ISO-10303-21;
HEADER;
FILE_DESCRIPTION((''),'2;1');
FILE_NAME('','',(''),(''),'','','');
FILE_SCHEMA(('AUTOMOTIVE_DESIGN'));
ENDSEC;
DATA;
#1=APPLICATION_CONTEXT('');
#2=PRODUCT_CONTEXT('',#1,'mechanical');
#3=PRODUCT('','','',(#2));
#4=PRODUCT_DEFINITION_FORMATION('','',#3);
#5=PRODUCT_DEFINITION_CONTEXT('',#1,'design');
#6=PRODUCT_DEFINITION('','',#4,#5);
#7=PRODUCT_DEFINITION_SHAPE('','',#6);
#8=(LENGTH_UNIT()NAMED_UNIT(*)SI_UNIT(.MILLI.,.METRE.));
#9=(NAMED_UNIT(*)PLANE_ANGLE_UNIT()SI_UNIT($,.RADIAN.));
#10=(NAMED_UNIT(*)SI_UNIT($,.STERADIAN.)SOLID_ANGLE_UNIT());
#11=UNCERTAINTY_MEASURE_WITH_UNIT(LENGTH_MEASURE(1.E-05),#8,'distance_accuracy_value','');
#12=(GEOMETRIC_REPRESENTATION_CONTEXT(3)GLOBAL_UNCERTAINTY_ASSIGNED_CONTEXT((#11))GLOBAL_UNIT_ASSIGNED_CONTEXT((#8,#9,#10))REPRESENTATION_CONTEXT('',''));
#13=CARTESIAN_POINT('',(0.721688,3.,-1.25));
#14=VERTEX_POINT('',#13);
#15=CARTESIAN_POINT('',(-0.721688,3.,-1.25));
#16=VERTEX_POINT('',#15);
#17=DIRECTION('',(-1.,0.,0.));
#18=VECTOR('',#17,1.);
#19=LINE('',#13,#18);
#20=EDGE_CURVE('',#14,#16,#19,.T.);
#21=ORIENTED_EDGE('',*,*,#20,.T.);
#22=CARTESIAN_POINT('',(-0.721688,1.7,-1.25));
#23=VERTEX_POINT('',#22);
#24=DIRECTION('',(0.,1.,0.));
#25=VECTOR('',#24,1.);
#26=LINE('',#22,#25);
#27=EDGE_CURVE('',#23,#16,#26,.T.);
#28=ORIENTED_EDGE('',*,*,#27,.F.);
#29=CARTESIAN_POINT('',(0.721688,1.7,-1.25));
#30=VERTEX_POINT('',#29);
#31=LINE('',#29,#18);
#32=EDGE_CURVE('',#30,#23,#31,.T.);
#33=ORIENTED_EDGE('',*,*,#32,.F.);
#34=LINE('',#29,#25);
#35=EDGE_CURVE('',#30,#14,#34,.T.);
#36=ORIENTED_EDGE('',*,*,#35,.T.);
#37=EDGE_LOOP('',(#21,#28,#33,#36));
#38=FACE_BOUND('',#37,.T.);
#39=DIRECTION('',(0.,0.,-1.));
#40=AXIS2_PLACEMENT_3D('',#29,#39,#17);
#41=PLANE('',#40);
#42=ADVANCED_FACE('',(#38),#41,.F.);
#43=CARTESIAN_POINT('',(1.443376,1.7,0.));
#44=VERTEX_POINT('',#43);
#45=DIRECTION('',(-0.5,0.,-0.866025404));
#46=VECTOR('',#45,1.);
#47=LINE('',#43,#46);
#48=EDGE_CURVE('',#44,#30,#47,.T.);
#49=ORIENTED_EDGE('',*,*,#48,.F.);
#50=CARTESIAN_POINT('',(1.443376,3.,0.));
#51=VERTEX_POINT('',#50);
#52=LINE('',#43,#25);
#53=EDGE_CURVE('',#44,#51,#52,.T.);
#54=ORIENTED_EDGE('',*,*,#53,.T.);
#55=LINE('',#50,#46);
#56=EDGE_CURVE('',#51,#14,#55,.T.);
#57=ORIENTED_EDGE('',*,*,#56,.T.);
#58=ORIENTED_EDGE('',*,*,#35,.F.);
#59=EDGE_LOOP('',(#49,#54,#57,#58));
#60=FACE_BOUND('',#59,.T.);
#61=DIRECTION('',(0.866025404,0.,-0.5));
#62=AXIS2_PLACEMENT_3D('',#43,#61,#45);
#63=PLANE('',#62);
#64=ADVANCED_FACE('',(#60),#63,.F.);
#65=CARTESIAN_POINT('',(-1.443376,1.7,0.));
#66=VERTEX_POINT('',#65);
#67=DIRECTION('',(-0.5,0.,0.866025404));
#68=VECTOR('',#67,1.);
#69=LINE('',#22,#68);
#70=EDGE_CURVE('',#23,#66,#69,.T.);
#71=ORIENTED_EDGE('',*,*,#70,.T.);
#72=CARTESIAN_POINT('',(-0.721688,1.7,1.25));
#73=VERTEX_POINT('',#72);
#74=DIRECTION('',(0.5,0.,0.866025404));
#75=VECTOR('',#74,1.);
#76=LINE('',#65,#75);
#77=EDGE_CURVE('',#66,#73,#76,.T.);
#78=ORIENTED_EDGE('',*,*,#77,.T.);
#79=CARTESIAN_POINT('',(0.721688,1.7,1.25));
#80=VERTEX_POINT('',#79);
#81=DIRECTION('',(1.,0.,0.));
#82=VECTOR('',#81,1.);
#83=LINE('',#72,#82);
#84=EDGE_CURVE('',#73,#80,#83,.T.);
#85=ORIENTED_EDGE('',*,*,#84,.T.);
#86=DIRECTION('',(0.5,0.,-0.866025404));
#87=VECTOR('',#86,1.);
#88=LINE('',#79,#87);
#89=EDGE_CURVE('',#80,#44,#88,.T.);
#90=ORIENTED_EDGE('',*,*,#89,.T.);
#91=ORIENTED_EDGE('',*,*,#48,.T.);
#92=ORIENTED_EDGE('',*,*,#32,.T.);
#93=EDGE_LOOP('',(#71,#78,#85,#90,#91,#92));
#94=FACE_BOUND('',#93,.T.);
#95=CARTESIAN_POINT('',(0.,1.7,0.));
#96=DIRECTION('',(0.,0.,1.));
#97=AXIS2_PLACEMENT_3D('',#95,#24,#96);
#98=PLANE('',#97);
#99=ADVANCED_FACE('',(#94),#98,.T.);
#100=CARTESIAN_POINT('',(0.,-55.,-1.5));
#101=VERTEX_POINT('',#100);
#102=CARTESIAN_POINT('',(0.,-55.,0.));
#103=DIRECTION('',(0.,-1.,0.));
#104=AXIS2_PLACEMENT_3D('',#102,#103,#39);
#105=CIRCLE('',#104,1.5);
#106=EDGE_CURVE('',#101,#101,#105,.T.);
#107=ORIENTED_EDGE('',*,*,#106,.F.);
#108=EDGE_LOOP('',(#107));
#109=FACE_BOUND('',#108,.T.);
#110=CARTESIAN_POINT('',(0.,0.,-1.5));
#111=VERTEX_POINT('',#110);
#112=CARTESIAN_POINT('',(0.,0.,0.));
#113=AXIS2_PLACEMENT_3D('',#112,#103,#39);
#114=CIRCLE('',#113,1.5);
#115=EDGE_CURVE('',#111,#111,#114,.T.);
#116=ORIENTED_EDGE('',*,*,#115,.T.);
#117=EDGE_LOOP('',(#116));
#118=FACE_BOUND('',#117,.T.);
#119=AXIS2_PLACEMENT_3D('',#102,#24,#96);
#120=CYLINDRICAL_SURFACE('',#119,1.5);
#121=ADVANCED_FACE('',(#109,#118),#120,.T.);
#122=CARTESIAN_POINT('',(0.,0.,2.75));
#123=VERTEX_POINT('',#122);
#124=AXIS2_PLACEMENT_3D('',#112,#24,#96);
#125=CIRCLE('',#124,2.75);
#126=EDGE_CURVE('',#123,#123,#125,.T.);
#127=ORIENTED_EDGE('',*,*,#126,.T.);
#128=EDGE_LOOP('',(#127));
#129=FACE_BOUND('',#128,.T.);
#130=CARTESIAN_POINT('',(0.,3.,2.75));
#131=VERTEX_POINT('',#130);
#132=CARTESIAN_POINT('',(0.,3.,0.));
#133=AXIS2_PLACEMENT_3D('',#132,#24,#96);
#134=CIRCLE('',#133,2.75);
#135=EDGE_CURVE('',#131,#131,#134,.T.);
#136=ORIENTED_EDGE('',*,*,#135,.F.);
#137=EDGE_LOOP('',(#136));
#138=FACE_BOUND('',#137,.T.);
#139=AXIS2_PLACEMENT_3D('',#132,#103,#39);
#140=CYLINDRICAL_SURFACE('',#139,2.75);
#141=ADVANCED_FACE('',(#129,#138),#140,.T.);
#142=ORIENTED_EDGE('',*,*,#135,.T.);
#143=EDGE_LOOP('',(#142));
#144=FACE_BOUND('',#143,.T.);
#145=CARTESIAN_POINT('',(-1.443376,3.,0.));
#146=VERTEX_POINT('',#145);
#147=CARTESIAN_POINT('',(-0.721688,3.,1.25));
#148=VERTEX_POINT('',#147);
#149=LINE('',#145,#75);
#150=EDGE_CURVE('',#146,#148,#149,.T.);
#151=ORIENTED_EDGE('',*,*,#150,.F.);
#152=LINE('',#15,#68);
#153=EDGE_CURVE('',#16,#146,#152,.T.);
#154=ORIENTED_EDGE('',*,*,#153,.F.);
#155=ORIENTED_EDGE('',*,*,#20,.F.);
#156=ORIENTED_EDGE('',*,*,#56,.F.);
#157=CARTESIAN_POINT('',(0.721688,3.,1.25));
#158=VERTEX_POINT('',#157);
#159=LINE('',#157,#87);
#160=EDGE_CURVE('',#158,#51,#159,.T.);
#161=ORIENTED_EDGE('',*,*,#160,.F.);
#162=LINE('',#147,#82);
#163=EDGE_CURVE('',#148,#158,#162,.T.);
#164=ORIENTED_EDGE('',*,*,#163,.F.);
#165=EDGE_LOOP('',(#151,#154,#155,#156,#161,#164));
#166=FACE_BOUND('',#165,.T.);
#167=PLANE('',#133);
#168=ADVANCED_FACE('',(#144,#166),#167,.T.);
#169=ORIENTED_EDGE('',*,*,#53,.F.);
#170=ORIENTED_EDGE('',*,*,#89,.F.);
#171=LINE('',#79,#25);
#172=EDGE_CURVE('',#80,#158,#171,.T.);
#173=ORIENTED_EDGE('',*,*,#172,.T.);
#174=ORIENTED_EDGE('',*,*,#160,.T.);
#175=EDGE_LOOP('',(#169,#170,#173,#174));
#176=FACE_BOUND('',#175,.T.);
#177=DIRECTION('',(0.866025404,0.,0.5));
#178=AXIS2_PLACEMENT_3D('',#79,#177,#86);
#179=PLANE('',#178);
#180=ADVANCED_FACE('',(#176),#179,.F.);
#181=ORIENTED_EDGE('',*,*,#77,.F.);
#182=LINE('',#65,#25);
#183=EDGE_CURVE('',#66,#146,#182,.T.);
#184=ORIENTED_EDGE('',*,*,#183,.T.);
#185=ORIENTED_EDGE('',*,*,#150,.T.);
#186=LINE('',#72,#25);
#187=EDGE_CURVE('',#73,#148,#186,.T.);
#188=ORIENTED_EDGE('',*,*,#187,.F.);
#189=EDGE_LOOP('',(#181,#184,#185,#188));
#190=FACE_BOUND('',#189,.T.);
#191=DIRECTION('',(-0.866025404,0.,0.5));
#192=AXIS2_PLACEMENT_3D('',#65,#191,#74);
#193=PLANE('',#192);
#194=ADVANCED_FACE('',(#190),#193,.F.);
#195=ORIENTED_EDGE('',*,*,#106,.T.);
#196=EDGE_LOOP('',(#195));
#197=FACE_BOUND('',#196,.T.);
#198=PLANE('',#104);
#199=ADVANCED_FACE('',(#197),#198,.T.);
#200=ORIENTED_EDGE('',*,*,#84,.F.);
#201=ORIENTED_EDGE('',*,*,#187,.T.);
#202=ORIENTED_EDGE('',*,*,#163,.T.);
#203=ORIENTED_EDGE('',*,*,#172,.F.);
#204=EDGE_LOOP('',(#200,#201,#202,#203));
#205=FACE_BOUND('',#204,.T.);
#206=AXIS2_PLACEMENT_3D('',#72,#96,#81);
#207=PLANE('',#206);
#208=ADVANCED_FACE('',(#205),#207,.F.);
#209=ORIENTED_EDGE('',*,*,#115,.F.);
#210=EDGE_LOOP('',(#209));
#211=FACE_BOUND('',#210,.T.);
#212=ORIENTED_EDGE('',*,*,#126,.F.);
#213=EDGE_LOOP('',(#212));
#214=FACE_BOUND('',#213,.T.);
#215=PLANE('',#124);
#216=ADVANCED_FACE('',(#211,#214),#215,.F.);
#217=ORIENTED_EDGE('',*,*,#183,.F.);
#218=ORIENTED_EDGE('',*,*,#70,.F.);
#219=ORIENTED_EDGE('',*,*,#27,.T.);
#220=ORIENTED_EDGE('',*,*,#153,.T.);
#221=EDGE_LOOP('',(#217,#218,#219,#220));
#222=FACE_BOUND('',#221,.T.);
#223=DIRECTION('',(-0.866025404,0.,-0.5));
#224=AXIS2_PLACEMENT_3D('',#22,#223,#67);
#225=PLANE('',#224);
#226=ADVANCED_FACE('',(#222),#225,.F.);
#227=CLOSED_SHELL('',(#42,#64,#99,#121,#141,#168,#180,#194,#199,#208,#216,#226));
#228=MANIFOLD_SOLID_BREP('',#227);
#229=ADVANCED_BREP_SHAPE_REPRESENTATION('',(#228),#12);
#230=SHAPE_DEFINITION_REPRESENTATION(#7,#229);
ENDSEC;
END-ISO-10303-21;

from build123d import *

# Parameters (mm, degrees)
SKETCH_1_R            = 2.75
EXTRUDE_248_DEPTH     = 3
CUT_EXTRUDE_378_DEPTH = 1.3
SKETCH_3_R            = 1.5
EXTRUDE_479_DEPTH     = 55


with BuildPart() as part:
    # 草图1 → Extrude 248 (new body)
    with BuildSketch(Plane(origin=(0, 0, 0), x_dir=(1, 0, 0), z_dir=(0, 1, 0))):
        Circle(SKETCH_1_R)
    extrude(amount=EXTRUDE_248_DEPTH)

    # 草图2 → Cut-Extrude 378 (cut)
    with BuildSketch(Plane(origin=(0, 3, 0), x_dir=(1, 0, 0), z_dir=(0, 1, 0))):
        Polygon((1.443375673, 0), (0.721687836, 1.25), (-0.721687836, 1.25), (-1.443375673, 0), (-0.721687836, -1.25), (0.721687836, -1.25), align=None)
    extrude(amount=-CUT_EXTRUDE_378_DEPTH, mode=Mode.SUBTRACT)

    # 草图3 → Extrude 479 (add)
    with BuildSketch(Plane.XZ):
        Circle(SKETCH_3_R)
    extrude(amount=EXTRUDE_479_DEPTH)


solid = part.part
